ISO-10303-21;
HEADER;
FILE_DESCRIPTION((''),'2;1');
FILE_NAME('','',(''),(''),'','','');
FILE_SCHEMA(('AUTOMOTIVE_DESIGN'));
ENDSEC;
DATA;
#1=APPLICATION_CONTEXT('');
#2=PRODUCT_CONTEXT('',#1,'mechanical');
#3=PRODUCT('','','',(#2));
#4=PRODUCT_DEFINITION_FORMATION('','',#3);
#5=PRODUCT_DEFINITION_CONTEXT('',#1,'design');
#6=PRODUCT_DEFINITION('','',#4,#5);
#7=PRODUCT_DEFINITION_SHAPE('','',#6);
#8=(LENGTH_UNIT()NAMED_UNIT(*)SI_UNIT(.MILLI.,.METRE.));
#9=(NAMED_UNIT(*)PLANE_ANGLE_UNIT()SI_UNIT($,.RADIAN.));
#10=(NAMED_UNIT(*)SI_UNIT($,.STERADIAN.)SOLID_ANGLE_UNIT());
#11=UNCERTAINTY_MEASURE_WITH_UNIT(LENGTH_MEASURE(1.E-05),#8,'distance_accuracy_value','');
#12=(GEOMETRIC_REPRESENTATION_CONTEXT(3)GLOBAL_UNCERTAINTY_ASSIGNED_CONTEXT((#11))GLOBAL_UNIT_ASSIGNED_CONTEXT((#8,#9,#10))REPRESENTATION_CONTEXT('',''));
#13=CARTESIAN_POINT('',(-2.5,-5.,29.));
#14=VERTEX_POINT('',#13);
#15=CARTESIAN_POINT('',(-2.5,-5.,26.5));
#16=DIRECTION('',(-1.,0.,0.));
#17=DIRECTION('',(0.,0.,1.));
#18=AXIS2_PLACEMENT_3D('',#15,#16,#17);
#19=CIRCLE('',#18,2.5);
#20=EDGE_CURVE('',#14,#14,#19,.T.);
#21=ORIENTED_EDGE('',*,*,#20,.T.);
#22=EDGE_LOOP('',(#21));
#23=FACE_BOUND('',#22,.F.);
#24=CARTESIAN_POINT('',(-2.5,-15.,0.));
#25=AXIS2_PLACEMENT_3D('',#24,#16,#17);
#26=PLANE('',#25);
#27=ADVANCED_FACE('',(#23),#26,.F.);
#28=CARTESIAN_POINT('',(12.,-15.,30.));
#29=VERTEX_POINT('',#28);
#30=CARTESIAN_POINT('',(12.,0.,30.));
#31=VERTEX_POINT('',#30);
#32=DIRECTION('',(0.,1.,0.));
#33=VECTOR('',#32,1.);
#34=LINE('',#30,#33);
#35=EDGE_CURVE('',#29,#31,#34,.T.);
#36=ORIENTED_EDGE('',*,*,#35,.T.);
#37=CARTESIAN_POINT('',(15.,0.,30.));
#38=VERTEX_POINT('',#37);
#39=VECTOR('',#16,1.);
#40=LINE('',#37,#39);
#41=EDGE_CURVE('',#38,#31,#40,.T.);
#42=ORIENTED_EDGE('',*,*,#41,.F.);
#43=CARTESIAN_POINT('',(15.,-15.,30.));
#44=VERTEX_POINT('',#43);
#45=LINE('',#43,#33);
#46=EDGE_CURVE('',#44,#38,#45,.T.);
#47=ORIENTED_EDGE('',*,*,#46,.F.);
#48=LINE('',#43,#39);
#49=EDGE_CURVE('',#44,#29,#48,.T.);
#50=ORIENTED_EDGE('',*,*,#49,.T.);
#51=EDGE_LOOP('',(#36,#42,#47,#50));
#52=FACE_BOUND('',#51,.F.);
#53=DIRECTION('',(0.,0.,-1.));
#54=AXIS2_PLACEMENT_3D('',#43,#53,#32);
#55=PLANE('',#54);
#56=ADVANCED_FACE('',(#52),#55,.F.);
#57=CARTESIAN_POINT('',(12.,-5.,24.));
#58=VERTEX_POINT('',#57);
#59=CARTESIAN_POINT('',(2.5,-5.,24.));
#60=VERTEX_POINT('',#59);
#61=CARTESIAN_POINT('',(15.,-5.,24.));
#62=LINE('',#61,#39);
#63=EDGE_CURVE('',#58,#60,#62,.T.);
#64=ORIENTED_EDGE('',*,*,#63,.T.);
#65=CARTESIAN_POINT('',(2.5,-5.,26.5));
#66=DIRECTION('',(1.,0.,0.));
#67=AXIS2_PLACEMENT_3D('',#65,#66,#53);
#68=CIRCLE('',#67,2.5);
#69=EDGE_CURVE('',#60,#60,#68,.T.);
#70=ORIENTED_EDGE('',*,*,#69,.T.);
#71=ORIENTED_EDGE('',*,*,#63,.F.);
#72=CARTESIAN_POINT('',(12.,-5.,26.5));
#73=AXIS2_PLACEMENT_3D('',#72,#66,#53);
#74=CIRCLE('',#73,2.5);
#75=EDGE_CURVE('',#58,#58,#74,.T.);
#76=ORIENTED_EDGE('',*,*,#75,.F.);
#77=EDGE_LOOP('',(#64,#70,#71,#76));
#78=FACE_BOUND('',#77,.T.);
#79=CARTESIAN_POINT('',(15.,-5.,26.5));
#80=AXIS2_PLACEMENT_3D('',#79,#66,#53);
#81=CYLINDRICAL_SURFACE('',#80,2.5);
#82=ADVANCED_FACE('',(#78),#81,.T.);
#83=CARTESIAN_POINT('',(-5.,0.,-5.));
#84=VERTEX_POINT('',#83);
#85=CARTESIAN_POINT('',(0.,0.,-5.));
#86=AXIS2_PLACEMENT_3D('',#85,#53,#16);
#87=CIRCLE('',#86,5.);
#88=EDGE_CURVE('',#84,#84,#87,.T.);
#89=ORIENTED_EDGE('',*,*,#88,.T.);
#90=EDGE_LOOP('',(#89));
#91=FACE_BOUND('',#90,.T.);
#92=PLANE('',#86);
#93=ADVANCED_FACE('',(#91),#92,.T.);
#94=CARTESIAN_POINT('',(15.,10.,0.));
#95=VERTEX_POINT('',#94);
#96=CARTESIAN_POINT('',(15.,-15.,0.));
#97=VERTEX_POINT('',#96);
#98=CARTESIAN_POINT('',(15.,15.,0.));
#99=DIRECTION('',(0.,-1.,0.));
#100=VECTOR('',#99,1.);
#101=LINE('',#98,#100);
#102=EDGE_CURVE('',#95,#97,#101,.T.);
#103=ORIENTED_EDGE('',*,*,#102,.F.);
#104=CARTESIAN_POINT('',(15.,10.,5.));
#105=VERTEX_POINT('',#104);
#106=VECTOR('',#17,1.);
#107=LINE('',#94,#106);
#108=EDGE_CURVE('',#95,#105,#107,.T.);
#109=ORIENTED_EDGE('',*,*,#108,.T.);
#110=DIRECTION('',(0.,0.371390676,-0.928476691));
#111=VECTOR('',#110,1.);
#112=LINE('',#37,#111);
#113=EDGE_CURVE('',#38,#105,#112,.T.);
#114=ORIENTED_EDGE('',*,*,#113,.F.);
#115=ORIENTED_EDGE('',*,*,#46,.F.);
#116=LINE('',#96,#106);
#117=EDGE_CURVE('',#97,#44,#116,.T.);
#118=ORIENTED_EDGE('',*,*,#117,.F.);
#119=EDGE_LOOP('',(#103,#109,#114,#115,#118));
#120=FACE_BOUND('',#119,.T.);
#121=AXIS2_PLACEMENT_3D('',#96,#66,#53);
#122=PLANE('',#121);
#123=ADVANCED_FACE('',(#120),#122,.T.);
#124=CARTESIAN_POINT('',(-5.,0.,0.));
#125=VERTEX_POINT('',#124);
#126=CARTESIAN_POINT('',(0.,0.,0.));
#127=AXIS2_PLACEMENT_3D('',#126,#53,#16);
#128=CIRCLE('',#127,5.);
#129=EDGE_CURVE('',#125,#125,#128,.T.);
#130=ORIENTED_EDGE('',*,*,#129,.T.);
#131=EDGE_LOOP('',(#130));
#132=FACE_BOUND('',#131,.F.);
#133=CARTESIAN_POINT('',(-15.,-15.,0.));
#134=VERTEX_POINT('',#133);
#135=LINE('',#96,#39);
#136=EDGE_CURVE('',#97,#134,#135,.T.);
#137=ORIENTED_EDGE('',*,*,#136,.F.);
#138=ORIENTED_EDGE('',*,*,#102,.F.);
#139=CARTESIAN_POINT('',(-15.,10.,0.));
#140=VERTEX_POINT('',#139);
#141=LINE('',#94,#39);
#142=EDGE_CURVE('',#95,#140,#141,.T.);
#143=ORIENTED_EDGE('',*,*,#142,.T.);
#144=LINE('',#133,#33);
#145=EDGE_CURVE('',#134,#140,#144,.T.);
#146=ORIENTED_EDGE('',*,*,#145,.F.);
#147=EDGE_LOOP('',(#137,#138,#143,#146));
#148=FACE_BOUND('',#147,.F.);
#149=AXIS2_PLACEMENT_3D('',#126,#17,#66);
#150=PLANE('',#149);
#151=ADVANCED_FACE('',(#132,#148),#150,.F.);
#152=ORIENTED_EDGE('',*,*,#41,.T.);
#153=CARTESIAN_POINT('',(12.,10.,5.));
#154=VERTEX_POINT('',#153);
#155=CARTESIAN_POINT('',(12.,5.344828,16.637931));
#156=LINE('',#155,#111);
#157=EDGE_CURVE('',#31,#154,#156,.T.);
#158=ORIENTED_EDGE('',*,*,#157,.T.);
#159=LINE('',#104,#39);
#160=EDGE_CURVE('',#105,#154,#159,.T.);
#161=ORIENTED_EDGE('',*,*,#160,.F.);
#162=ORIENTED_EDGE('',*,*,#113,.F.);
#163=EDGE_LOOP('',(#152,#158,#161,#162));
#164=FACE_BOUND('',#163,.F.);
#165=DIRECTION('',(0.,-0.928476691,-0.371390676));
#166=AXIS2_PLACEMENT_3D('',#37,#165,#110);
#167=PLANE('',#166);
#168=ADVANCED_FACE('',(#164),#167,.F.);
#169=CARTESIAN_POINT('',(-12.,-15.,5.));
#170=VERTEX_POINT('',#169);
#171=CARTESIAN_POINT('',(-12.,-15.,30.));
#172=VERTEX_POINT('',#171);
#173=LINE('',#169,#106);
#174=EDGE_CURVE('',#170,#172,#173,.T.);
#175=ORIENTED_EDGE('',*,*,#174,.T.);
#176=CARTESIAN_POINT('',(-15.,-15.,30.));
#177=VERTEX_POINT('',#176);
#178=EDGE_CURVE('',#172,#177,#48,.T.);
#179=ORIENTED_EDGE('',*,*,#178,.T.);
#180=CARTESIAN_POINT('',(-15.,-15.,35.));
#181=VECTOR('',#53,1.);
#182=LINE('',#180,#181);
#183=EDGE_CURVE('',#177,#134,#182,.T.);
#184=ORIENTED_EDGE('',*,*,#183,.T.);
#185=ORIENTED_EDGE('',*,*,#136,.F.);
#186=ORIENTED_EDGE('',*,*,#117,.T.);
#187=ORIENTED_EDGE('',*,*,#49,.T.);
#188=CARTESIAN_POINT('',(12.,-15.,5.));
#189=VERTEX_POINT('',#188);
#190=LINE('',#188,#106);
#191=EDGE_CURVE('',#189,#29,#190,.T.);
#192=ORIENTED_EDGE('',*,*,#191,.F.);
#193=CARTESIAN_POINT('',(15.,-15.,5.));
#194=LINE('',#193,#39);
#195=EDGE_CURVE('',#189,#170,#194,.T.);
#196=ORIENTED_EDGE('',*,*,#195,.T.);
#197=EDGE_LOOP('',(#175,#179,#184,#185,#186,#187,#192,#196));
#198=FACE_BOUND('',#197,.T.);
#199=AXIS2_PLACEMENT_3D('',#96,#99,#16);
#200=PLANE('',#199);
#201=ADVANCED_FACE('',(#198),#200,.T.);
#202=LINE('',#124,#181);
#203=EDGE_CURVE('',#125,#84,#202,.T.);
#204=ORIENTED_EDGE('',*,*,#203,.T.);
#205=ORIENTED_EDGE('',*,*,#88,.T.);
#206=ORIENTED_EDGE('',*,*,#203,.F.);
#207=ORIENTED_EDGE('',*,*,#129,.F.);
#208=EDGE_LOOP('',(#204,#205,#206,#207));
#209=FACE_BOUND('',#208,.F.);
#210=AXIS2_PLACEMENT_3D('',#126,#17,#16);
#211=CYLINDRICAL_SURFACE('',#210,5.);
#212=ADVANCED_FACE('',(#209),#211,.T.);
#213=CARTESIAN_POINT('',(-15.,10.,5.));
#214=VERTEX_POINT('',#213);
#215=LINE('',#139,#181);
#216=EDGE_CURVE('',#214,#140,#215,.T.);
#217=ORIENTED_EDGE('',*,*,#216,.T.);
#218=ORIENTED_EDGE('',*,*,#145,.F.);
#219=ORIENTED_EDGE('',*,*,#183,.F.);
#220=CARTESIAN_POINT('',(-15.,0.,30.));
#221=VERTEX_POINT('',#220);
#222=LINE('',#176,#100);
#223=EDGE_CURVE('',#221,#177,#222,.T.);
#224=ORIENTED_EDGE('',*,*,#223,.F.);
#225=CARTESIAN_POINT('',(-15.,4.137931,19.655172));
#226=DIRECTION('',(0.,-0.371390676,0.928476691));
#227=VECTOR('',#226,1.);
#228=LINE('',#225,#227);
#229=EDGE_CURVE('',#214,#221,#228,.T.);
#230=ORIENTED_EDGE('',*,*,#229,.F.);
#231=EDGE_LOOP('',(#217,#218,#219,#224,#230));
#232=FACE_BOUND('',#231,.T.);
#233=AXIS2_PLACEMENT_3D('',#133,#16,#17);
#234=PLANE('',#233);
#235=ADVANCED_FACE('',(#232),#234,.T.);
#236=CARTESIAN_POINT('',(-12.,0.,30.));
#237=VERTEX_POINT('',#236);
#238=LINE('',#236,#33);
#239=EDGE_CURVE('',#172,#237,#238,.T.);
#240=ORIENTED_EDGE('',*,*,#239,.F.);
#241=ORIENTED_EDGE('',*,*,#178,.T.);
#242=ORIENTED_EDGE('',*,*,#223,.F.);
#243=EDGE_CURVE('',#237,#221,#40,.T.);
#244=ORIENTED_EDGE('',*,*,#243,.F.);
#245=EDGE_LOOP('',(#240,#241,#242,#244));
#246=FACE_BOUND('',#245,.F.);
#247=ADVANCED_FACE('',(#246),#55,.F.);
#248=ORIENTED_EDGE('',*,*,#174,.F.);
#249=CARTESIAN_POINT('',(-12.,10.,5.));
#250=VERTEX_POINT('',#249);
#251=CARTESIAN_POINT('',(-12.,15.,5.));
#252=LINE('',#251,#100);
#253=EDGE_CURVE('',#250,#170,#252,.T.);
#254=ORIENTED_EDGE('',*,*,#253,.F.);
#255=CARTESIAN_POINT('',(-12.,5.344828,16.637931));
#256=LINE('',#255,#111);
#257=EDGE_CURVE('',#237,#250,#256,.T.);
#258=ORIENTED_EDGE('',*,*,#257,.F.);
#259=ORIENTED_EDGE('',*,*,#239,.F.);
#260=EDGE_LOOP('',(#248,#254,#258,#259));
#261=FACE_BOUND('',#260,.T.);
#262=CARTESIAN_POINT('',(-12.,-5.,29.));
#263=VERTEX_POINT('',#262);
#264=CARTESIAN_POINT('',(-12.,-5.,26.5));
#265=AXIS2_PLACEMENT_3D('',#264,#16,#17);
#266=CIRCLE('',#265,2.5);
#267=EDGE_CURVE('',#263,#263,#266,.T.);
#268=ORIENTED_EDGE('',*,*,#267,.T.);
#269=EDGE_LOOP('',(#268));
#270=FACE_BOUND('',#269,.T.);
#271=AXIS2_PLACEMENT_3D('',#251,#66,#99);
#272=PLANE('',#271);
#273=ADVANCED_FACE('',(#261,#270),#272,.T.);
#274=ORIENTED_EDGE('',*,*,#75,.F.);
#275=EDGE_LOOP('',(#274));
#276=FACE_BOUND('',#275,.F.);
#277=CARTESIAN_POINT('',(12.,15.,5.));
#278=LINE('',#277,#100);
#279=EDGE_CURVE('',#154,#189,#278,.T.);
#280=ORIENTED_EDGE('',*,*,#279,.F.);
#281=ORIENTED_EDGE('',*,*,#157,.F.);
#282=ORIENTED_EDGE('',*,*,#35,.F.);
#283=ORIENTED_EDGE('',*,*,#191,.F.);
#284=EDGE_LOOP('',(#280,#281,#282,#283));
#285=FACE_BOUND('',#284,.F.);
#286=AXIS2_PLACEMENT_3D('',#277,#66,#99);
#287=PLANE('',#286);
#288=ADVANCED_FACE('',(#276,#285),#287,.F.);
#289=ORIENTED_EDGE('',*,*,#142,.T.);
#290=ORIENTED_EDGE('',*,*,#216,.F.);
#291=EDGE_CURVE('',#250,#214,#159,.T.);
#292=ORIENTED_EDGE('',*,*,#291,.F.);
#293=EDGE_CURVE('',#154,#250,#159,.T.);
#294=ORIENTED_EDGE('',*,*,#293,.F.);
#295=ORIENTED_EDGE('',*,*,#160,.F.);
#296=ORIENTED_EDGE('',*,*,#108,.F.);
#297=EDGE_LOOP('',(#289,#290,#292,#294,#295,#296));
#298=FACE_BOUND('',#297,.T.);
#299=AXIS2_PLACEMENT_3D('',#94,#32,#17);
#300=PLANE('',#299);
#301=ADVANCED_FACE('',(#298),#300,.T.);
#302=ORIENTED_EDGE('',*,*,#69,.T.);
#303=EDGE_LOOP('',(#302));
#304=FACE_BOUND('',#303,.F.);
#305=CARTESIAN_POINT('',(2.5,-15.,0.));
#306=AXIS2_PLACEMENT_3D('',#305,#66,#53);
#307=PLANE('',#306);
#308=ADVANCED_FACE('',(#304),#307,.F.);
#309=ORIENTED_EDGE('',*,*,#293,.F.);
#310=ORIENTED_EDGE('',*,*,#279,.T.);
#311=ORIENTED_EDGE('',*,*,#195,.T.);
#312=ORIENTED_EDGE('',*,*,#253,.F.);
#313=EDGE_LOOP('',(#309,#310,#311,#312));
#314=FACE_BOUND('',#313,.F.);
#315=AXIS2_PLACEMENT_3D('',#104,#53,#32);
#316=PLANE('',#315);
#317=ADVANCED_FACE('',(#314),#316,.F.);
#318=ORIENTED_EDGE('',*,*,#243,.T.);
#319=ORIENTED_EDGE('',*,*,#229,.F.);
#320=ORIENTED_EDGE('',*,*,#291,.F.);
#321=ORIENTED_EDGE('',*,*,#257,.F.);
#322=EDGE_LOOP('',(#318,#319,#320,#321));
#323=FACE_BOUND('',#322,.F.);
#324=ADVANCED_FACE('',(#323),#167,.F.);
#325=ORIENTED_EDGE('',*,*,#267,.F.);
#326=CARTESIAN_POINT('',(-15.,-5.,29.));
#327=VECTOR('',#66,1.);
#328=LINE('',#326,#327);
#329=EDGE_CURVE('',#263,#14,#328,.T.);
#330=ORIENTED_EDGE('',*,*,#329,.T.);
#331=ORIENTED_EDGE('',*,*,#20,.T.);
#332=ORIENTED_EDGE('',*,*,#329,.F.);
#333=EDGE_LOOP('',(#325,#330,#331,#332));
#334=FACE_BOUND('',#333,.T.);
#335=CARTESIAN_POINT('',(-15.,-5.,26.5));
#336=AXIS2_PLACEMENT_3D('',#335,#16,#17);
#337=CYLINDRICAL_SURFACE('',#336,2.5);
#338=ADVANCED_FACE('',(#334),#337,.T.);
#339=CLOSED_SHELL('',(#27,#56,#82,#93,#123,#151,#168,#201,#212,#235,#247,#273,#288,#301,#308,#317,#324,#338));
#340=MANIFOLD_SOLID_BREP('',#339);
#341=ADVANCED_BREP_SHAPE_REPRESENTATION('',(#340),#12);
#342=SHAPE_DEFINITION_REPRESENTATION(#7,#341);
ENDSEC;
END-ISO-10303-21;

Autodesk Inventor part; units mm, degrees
ref_plane "YZ Plane" through (0, 0, 0) normal (1, 0, 0) x (0, 1, 0)
ref_plane "XZ Plane" through (0, 0, 0) normal (0, 1, 0) x (-1, 0, 0)
ref_plane "XY Plane" through (0, 0, 0) normal (0, 0, 1) x (1, 0, 0)
sketch "스케치1" plane through (0, 0, 0) normal (0, 0, 1) x (1, 0, 0)
  line L0 (15, -15) -> (-15, -15)
  line L1 (-15, -15) -> (-15, 15)
  line L2 (-15, 15) -> (15, 15)
  line L3 (15, 15) -> (15, -15)
  line L4 (15, -15) -> (-15, 15) construction
  line L5 (-15, -15) -> (15, 15) construction
  point P0 (0, 0)
  dimension "d0" = 30
  dimension "d1" = 30
extrude "돌출1" add sketch "스케치1" along normal blind 5
sketch "스케치2" plane through (0, 0, 5) normal (0, 0, 1) x (1, 0, 0)
  line L0 (-15, 15) -> (-15, -15) projected
  line L1 (-15, -15) -> (15, -15) projected
  line L2 (-15, 15) -> (-12, 15)
  line L3 (-12, 15) -> (-12, -15)
  line L4 (-12, -15) -> (-15, -15)
  line L5 (-15, -15) -> (-15, 15)
  line L6 (15, -15) -> (15, 15) projected
  line L7 (15, 15) -> (12, 15)
  line L8 (12, 15) -> (12, -15)
  line L9 (12, -15) -> (15, -15)
  line L10 (15, -15) -> (15, 15)
  point P0 (0, 0)
  dimension "d4" = 3
  dimension "d5" = 3
extrude "돌출2" add sketch "스케치2" along normal blind 30
sketch "스케치3" plane through (0, 0, 0) normal (0, 0, -1) x (-1, 0, 0)
  circle A0 centre (0, 0) radius 5
  dimension "d8" = 10
extrude "돌출3" add sketch "스케치3" along normal blind 5
sketch "스케치4" plane through (15, -15, 0) normal (1, 0, 0) x (0, 0, -1)
  line L0 (0, 0) -> (-39, 0)
  line L1 (-39, 0) -> (-26.5, 0)
  line L2 (-5, 0) -> (-35, 0) projected
  line L3 (-26.5, 0) -> (-26.5, 10)
  circle A0 centre (-26.5, 10) radius 2.5
  point P0 (0, 15)
  dimension "d11" = 39
  dimension "d12" = 12.5
  dimension "d13" = 5
  dimension "d14" = 10
extrude "돌출4" add sketch "스케치4" against normal blind 12.5
sketch "스케치5" plane through (-15, -15, 0) normal (-1, 0, 0) x (0, 0, 1)
  circle A0 centre (26.5, 10) radius 2.5 projected
  point P0 (0, 15)
extrude "돌출5" add sketch "스케치5" against normal blind 12.5
sketch "스케치6" plane through (15, -15, 0) normal (1, 0, 0) x (0, 0, -1)
  line L0 (0, 30) -> (-35, 30) projected
  line L1 (-5, 30) -> (-35, 30) projected
  line L2 (-5, 30) -> (-35, 30) projected
  line L3 (0, 30) -> (-35, 30) projected
  line L4 (-5, 0) -> (-5, 30) projected
  line L5 (-5, 30) -> (-5, 0) projected
  line L6 (0, 30) -> (-35, 30) projected
  line L7 (-5, 30) -> (-5, 0) projected
  line L8 (0, 30) -> (-5, 30)
  line L9 (-5, 30) -> (-10, 30)
  line L10 (-5, 30) -> (-35, 30) projected
  line L11 (-35, 0) -> (-35, 30) projected
  line L12 (-10, 30) -> (-35, 30)
  line L13 (-35, 30) -> (-35, 20)
  line L14 (-35, 20) -> (-10, 30)
  circle A0 centre (-26.5, 10) radius 2.5 projected
  line L15 (0, 0) -> (-35, 0) projected
  line L16 (-35, 0) -> (-30, 0)
  line L17 (-30, 0) -> (-30, 22)
  point P0 (0, 15)
  dimension "d19" = 5
  dimension "d20" = 5
  dimension "d21" = 10
  dimension "d22" = 5
extrude "돌출6" cut sketch "스케치6" against normal through all contours L14 L11 L0 | L17 L15 L11 L14
sketch "스케치7" plane through (15, -15, 0) normal (1, 0, 0) x (0, 0, -1)
  line L0 (-5, 0) -> (-5, 30) projected
  line L1 (-5, 30) -> (-5, 25)
  line L2 (-5, 30) -> (-5, 0) projected
  line L3 (-5, 25) -> (-30, 25)
  line L4 (-30, 22) -> (-30, 0) projected
  circle A0 centre (-26.5, 10) radius 2.5 projected
  line L5 (-30, 25) -> (-30, 15)
  line L6 (-30, 15) -> (-5, 25)
  line L7 (-30, 22) -> (-30, 0) projected
  line L8 (0, 0) -> (-30, 0) projected
  line L9 (0, 0) -> (0, 30) projected
  line L10 (0, 30) -> (-10, 30) projected
  line L11 (-10, 30) -> (-30, 22) projected
  point P0 (0, 15)
  dimension "d25" = 5
  dimension "d26" = 10
extrude "돌출7" cut sketch "스케치7" against normal through all contours L3 L11 L10 L0 | L6 L4 L11 L3
sketch "스케치8" plane through (15, -15, 0) normal (1, 0, 0) x (0, 0, -1)
  line L0 (0, 0) -> (0, 30) projected
  line L1 (0, 30) -> (0, 25)
  line L2 (0, 25) -> (-5, 25)
  line L3 (0, 30) -> (-5, 30) projected
  line L4 (-5, 25) -> (-5, 30)
  line L5 (0, 30) -> (-5, 30)
  point P0 (0, 15)
  dimension "d29" = 5
extrude "돌출8" cut sketch "스케치8" against normal through all
properties part number "castor_link" material "알루미늄 6061"
